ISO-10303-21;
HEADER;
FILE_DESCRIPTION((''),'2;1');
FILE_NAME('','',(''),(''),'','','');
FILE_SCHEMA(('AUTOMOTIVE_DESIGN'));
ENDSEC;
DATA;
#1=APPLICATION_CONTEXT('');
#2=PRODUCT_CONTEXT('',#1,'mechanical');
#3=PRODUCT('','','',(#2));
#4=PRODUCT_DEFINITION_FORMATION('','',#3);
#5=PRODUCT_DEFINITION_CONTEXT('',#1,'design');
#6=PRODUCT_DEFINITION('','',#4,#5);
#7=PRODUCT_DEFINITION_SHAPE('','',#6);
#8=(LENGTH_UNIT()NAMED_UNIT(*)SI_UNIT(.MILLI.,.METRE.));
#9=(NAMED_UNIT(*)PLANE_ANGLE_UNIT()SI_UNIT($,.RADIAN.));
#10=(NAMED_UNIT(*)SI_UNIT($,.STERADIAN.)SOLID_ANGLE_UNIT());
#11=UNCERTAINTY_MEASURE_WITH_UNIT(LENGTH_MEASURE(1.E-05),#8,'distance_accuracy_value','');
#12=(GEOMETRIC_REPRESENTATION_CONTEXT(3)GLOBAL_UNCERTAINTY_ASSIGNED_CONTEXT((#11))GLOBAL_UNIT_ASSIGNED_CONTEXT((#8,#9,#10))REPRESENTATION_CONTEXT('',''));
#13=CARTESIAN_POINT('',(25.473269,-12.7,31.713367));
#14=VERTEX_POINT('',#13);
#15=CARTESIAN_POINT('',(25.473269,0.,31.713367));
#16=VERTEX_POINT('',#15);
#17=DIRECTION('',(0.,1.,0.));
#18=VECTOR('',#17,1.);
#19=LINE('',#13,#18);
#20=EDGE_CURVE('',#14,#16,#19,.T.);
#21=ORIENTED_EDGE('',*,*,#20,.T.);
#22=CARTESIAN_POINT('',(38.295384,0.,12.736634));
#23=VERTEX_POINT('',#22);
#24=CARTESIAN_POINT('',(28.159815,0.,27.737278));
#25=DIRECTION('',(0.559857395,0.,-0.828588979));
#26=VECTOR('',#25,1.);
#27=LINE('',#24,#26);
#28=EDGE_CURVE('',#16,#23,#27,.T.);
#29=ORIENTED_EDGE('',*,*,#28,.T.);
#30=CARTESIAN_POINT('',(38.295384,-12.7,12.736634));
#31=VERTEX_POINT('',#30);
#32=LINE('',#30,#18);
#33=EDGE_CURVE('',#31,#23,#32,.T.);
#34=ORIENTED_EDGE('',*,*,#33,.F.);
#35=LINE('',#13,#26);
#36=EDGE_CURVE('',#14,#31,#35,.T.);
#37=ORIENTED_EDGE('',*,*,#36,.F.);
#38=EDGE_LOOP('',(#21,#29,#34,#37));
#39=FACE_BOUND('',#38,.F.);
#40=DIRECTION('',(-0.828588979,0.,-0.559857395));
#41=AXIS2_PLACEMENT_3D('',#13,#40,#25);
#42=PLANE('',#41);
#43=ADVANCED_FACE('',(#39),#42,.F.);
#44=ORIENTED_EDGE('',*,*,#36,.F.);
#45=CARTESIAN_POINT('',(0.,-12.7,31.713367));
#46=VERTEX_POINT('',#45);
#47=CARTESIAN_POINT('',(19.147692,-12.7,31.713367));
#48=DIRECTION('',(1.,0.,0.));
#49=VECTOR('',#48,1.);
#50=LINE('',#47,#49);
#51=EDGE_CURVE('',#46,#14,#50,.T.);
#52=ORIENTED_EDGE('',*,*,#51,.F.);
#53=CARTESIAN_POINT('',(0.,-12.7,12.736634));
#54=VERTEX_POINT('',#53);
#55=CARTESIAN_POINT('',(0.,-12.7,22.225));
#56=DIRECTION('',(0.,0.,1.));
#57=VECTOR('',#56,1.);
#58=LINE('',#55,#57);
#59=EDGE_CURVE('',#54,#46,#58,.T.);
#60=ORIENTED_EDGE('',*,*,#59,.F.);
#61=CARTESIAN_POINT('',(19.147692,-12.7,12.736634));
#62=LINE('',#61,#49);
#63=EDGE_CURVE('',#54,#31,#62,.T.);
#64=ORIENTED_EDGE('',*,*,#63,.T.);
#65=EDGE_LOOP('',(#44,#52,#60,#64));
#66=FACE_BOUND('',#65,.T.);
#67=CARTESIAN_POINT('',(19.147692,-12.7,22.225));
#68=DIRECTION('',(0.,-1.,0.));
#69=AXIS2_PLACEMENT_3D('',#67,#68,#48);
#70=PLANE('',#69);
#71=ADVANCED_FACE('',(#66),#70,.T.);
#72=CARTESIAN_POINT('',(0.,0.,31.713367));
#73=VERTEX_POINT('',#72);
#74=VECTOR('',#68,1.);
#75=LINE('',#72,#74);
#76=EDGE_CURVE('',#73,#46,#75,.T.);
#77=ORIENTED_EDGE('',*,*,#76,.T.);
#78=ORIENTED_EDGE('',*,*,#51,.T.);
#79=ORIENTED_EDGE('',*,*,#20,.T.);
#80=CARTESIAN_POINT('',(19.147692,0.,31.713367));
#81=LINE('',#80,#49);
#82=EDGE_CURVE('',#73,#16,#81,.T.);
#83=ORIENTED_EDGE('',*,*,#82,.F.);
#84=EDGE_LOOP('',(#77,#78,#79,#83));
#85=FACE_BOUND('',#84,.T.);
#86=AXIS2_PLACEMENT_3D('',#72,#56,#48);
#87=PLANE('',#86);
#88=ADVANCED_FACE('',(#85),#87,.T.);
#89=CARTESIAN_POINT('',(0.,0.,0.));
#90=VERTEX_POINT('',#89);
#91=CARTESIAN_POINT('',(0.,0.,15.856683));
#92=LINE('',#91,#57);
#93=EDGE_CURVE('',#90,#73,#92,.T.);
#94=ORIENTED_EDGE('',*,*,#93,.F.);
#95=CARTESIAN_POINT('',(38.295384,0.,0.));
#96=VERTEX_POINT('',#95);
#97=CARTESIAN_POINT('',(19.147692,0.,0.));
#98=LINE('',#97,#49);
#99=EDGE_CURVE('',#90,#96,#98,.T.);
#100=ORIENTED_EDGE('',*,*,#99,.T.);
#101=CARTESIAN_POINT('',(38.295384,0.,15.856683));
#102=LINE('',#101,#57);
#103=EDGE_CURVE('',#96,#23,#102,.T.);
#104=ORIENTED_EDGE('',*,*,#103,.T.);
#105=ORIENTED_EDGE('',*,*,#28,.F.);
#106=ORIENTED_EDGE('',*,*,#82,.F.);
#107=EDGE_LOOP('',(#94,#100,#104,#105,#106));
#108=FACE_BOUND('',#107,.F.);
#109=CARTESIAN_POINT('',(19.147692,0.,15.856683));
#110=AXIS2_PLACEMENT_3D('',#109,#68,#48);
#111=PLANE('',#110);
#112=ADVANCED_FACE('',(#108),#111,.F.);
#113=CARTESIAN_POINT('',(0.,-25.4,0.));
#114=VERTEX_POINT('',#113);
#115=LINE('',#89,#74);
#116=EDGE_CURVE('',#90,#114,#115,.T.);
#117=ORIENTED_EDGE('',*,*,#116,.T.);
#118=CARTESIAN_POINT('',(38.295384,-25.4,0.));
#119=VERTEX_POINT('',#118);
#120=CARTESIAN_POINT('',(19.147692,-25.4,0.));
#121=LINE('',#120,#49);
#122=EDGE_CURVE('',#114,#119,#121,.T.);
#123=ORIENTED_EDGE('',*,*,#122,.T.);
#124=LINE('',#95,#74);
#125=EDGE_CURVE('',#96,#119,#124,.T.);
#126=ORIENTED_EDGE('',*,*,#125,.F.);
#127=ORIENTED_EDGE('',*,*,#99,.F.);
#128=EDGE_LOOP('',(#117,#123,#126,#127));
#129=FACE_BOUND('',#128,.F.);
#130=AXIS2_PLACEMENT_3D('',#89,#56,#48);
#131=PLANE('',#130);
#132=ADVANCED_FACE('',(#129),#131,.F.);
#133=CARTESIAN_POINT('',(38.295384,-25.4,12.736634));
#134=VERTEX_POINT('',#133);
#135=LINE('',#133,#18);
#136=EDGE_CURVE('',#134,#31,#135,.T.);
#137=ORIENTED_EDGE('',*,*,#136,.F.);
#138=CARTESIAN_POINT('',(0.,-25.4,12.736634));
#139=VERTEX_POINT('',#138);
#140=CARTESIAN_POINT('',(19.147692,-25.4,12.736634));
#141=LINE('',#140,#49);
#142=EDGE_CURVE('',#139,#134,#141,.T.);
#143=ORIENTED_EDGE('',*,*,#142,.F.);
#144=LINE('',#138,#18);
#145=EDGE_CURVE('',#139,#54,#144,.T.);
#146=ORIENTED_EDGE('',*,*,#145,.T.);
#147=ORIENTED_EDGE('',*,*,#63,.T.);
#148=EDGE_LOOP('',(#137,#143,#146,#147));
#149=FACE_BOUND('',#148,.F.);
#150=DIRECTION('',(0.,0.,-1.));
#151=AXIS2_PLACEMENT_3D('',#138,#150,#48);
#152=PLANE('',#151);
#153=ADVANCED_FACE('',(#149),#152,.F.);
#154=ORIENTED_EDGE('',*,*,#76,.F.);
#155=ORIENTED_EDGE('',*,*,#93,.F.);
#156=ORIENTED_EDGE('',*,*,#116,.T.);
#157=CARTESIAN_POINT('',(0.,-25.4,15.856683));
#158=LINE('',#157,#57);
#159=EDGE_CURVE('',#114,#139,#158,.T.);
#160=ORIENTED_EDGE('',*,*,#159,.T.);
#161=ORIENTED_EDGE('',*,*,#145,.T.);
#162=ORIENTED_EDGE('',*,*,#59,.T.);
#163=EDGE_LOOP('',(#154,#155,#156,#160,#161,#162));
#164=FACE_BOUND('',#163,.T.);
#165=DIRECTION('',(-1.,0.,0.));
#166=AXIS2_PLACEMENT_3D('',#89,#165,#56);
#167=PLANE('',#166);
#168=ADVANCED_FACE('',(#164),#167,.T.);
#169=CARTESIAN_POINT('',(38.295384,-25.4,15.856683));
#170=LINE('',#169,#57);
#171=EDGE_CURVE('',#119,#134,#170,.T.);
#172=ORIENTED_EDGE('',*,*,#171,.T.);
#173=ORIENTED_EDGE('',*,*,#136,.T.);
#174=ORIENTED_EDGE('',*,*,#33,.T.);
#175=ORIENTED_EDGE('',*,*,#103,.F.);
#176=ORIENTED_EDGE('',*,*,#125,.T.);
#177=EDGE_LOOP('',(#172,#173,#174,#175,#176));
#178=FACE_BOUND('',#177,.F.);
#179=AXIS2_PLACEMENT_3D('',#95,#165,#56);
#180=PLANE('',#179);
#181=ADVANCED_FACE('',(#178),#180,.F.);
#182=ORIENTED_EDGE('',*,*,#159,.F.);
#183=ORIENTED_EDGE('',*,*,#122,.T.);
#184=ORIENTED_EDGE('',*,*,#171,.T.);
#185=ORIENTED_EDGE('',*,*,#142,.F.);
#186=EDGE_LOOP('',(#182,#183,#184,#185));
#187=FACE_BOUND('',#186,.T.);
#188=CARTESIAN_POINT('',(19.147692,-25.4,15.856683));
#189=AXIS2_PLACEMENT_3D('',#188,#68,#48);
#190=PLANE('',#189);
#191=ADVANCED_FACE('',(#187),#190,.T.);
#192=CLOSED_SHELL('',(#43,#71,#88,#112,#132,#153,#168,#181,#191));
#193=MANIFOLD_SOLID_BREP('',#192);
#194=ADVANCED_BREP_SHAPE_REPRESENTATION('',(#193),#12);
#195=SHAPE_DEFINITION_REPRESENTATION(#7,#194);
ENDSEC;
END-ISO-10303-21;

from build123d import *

# Parameters (mm, degrees)
F0_W     = 38.2953844965
F0_H     = 31.7133665085
F1_DEPTH = 25.4
F2_W     = 38.2953844965
F2_H     = 18.9767321572
F3_DEPTH = 12.7
F5_DEPTH = 12.701


with BuildPart() as f1:
    # F0 (on Front) → F1 (new body)
    with BuildSketch(Plane.XZ):
        with Locations((19.1476922482, 15.8566832542)):
            Rectangle(F0_W, F0_H)
    extrude(amount=F1_DEPTH)

    # F2 (on face) → F3 (cut)
    with BuildSketch(Plane.XZ.offset(25.4)):
        with Locations((19.1476922482, 22.2250004299)):
            Rectangle(F2_W, F2_H)
    extrude(amount=-F3_DEPTH, mode=Mode.SUBTRACT)

    # F4 (on face) → F5 (cut, through all)
    with BuildSketch(Plane.XZ.offset(12.7)):
        Polygon((38.2953844965, 31.7133665085), (25.4732687026, 31.7133665085), (38.2953844965, 12.7366343513), align=None)
    extrude(amount=-F5_DEPTH, mode=Mode.SUBTRACT)


solid = f1.part
